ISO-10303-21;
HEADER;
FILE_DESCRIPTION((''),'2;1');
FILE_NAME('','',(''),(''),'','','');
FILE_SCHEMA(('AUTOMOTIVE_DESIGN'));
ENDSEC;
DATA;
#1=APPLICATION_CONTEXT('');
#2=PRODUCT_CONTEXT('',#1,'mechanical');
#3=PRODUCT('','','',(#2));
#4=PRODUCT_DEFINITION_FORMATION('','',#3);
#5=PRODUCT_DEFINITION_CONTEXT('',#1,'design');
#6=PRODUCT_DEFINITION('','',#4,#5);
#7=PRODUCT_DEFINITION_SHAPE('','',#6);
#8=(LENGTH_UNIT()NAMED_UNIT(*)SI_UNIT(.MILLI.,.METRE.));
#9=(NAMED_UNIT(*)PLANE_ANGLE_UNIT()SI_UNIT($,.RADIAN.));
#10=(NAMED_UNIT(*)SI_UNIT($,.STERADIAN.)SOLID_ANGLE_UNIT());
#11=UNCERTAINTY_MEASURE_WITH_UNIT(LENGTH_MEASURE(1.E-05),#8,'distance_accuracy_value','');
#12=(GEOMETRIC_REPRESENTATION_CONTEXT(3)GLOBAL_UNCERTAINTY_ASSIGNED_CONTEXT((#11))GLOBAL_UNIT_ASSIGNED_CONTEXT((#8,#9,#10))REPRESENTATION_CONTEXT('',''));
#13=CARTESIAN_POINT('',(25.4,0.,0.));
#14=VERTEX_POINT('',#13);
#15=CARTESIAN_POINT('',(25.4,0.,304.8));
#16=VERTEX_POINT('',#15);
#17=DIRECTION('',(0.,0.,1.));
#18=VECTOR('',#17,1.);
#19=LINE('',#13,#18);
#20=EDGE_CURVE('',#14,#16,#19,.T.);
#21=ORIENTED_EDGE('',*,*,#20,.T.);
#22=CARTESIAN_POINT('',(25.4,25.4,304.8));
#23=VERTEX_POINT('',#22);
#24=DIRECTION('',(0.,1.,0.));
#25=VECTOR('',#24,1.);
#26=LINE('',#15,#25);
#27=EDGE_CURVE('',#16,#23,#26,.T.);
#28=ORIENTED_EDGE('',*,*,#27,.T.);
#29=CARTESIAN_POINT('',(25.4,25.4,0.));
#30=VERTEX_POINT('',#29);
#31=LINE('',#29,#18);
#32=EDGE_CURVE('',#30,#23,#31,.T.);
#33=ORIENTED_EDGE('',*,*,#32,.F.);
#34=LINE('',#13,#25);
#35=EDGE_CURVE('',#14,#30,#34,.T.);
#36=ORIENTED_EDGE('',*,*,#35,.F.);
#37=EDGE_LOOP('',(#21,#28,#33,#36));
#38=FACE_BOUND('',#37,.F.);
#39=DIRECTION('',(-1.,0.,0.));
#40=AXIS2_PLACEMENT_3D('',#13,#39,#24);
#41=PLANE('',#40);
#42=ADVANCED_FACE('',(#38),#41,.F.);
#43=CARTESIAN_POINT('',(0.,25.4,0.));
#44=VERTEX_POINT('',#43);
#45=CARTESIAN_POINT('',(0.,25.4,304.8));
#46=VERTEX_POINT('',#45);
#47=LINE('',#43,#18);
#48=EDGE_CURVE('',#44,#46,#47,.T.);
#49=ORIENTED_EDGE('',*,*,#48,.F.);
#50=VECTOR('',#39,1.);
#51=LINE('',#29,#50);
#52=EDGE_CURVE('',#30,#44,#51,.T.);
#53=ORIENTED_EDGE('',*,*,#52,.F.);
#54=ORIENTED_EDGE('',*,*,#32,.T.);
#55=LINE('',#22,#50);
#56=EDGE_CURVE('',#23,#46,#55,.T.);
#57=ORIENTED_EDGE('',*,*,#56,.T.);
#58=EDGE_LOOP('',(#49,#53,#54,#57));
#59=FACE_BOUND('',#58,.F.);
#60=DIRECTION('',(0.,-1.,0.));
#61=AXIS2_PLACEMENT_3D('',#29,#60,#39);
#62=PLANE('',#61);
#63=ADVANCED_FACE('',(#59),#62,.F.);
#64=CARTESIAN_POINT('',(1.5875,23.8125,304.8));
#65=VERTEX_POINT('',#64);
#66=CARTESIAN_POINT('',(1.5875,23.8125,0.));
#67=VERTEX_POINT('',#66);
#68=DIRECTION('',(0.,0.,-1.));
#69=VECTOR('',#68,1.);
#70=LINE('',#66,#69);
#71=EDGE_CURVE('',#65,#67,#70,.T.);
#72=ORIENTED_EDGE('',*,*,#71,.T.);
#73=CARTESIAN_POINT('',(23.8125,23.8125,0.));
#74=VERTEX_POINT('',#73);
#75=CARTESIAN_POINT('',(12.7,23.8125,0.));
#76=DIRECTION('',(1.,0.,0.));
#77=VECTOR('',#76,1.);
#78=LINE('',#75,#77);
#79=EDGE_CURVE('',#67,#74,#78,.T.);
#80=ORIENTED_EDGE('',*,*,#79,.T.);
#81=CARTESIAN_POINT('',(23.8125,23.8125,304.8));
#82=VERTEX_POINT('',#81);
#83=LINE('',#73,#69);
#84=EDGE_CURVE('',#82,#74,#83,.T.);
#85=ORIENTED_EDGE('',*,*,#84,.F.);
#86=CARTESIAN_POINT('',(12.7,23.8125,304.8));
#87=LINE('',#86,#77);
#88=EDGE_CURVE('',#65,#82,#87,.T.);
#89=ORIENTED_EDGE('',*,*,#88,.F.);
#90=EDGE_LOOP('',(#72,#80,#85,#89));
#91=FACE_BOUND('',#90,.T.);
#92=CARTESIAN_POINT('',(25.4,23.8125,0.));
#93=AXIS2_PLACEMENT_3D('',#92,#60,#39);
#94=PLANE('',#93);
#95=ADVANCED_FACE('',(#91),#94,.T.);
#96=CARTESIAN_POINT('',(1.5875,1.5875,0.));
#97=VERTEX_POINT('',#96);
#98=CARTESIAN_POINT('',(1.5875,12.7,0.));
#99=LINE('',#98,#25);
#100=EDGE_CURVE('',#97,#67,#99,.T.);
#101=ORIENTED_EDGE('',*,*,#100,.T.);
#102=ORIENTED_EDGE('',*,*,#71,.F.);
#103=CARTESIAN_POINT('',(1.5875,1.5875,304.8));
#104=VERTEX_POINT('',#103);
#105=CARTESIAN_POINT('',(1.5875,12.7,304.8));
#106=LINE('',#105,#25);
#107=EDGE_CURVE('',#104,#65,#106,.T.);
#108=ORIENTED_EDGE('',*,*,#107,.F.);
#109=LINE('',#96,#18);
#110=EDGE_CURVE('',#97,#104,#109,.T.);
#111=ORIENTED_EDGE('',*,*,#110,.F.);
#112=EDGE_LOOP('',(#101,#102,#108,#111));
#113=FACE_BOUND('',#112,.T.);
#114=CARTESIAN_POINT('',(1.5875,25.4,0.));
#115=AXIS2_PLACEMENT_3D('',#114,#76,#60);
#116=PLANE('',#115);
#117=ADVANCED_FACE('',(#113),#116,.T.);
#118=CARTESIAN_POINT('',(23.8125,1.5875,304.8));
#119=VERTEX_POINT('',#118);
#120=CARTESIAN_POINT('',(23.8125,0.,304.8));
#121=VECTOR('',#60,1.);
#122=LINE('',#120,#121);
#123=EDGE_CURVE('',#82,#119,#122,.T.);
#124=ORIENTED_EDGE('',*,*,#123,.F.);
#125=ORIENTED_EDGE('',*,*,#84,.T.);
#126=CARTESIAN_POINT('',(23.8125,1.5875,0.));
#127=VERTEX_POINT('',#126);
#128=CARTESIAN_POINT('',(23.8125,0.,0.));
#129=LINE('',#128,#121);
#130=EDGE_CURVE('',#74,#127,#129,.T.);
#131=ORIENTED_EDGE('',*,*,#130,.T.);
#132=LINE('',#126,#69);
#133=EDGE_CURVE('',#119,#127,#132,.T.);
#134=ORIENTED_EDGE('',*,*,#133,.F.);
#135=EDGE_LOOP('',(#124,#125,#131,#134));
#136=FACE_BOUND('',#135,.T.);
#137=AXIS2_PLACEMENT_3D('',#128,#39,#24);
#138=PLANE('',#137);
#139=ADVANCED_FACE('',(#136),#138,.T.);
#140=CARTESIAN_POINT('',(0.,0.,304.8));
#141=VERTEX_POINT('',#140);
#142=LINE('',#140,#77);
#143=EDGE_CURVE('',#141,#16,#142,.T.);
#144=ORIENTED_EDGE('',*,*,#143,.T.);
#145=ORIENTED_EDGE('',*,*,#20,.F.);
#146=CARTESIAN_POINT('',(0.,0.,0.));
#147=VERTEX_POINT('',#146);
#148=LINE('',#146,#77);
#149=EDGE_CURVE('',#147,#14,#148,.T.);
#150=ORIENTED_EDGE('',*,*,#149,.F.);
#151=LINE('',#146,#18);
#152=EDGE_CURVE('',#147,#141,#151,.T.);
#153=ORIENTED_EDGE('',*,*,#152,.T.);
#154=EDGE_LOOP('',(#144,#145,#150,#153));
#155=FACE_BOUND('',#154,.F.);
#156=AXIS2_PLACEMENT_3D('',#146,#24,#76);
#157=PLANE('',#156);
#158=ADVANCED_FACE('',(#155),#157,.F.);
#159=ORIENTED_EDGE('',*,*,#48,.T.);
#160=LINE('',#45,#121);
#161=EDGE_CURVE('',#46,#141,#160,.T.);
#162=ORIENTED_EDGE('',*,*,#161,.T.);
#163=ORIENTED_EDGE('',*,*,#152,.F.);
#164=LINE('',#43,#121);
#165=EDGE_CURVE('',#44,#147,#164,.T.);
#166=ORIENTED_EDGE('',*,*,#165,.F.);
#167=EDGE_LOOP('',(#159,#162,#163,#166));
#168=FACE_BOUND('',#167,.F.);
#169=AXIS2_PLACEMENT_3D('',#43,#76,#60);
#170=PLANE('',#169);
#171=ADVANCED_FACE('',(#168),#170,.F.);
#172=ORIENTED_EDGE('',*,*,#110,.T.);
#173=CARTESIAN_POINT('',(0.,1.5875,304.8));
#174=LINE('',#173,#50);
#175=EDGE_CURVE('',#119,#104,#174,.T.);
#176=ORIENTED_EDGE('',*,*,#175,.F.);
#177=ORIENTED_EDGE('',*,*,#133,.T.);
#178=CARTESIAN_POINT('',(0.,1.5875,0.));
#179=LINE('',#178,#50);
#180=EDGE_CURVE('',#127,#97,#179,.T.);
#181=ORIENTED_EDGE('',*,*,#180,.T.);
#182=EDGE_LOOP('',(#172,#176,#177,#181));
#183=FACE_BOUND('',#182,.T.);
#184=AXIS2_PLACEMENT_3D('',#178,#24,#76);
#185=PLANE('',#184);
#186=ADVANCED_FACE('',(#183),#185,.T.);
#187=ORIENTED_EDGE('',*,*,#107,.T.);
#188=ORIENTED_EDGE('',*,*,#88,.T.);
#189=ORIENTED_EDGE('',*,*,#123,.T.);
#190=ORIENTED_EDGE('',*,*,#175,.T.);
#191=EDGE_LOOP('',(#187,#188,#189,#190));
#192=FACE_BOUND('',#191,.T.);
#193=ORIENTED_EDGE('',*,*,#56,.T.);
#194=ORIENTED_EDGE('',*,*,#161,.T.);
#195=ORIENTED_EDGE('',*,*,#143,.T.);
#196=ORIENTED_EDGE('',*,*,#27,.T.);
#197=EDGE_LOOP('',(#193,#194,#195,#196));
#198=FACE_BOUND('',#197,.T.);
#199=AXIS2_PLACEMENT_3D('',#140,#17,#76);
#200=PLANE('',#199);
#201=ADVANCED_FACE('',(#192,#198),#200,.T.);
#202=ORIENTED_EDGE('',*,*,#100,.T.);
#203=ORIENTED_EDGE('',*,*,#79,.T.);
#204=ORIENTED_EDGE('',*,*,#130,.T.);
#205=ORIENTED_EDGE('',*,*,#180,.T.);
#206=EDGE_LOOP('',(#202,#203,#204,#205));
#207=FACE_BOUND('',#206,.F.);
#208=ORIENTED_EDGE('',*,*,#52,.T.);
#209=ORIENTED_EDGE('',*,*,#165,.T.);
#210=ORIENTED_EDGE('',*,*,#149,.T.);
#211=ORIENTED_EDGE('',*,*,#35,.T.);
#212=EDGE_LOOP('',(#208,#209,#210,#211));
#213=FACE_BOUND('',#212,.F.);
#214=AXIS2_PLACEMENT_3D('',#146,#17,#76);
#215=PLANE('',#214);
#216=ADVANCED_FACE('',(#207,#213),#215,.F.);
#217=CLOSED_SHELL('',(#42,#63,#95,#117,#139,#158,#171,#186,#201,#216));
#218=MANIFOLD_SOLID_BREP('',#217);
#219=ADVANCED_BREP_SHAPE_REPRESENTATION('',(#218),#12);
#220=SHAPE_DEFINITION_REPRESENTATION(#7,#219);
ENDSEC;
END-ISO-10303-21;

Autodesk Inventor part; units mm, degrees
ref_plane "YZ Plane" through (0, 0, 0) normal (1, 0, 0) x (0, 1, 0)
ref_plane "XZ Plane" through (0, 0, 0) normal (0, 1, 0) x (-1, 0, 0)
ref_plane "XY Plane" through (0, 0, 0) normal (0, 0, 1) x (1, 0, 0)
sketch "Sketch1" plane through (0, 0, 0) normal (0, 0, 1) x (1, 0, 0)
  line L0 (0, 0) -> (25.4, 0)
  line L1 (25.4, 0) -> (25.4, 25.4)
  line L2 (25.4, 25.4) -> (0, 25.4)
  line L3 (0, 25.4) -> (0, 0)
  dimension "d0" = 25.4
  dimension "d1" = 25.4
extrude "Extrusion1" add sketch "Sketch1" along normal blind 304.8
shell "Shell1" thickness 1.5875 removed faces 2 at (8.4667, 16.9333, 0) at (8.4667, 16.9333, 304.8)
properties part number "Frame_ConveyorSupport" material "Aluminum-6061"
